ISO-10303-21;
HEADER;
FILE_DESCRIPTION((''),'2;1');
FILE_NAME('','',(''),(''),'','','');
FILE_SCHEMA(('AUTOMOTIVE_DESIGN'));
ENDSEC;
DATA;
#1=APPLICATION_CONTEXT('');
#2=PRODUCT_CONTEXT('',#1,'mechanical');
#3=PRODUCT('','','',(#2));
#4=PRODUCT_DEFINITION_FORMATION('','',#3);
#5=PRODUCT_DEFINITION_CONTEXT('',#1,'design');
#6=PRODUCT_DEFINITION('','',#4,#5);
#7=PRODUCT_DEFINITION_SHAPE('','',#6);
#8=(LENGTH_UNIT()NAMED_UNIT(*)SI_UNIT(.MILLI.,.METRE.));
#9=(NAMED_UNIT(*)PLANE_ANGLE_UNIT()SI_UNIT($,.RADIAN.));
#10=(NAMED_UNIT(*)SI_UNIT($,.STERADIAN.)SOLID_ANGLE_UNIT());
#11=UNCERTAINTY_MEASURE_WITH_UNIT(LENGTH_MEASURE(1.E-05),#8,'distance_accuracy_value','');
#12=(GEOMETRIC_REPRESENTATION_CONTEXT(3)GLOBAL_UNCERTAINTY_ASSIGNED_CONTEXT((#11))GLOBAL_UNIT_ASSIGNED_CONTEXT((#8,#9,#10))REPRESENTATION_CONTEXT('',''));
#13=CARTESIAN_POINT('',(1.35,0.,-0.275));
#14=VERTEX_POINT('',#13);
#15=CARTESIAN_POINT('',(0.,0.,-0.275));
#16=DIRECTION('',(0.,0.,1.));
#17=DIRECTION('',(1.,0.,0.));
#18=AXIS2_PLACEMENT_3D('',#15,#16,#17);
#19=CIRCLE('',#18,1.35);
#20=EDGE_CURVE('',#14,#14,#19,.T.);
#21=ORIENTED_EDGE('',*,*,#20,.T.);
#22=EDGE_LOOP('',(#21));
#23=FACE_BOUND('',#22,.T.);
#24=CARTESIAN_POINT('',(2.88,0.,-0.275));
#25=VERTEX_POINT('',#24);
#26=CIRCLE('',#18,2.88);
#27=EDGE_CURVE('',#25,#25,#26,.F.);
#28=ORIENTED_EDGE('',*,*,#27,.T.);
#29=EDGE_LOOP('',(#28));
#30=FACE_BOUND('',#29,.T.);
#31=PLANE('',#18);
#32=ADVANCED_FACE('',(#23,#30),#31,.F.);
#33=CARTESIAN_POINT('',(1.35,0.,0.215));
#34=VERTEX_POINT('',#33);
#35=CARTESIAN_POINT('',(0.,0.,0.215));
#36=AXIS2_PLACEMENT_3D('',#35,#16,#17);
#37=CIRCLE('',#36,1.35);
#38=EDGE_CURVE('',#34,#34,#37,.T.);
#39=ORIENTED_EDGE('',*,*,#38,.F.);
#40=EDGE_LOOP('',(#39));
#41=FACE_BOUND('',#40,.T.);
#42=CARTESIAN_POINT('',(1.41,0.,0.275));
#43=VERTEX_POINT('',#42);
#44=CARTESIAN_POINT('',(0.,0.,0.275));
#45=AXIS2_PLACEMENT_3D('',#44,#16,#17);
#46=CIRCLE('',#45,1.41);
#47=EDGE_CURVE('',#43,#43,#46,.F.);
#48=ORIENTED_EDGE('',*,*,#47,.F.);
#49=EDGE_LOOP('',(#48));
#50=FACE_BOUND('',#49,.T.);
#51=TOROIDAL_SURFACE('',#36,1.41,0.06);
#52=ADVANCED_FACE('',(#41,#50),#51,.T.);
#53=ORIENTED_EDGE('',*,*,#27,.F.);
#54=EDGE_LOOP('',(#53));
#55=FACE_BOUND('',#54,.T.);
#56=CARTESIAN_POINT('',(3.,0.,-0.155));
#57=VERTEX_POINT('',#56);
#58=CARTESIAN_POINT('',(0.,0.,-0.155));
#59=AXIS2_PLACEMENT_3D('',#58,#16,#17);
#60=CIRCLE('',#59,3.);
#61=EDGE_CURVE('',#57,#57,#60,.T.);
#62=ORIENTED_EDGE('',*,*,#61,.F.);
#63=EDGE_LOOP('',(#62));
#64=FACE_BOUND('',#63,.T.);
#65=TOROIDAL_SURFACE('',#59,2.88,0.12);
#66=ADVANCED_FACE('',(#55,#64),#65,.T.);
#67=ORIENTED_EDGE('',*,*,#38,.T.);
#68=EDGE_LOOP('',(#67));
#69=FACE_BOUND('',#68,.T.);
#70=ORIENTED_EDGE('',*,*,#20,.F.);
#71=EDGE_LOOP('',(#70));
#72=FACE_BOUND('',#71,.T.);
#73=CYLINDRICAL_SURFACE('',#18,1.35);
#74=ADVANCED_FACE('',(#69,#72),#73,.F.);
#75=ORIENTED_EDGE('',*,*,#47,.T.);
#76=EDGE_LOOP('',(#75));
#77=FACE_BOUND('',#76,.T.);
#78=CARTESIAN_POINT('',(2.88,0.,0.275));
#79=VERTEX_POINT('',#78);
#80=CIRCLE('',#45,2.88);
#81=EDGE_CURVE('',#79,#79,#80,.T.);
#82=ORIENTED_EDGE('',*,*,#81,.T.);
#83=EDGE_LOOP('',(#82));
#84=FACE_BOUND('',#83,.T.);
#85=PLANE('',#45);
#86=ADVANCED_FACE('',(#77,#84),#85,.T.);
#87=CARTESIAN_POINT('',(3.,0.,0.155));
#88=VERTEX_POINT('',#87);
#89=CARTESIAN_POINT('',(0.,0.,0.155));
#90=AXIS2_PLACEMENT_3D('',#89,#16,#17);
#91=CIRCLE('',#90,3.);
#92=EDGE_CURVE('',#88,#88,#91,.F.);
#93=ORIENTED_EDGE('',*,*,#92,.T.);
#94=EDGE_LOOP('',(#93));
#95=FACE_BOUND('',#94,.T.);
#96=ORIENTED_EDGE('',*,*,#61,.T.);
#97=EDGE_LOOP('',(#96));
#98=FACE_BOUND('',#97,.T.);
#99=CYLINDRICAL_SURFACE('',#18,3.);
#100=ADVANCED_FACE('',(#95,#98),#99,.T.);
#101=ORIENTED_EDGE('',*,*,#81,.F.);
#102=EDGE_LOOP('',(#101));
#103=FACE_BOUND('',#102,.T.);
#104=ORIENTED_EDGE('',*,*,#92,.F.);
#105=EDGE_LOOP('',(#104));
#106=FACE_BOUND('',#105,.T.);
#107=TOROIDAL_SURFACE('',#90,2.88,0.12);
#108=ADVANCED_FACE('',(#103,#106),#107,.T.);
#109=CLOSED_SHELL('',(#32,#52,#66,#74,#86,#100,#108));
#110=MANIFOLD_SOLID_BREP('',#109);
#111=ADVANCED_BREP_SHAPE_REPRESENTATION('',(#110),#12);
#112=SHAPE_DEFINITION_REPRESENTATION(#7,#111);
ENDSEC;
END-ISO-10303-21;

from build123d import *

# Parameters (mm, degrees)
BOSS_EXTRUDE1_DEPTH      = 0.275
BOSS_EXTRUDE1_DEPTH_BACK = 0.275
SKETCH3_R                = 3
SKETCH3_R_2              = 1.35
FILLET1_R                = 0.12
FILLET2_R                = 0.06


with BuildPart() as part:
    # Sketch3 → Boss-Extrude1 (new, two sides: drawn at the far end of the back side and taken through both)
    with BuildSketch(Plane.XY.offset(-BOSS_EXTRUDE1_DEPTH_BACK)):
        Circle(SKETCH3_R)
        Circle(SKETCH3_R_2, mode=Mode.SUBTRACT)
    extrude(amount=BOSS_EXTRUDE1_DEPTH + BOSS_EXTRUDE1_DEPTH_BACK)

    # Fillet1
    fillet1_edges = [part.edges().sort_by_distance(p)[0] for p in [
        (-3, 0, -0.275),
        (-3, 0, 0.275),
    ]]
    fillet(fillet1_edges, radius=FILLET1_R)

    # Fillet2
    fillet2_edges = [part.edges().sort_by_distance(p)[0] for p in [
        (-1.35, 0, 0.275),
    ]]
    fillet(fillet2_edges, radius=FILLET2_R)


solid = part.part
